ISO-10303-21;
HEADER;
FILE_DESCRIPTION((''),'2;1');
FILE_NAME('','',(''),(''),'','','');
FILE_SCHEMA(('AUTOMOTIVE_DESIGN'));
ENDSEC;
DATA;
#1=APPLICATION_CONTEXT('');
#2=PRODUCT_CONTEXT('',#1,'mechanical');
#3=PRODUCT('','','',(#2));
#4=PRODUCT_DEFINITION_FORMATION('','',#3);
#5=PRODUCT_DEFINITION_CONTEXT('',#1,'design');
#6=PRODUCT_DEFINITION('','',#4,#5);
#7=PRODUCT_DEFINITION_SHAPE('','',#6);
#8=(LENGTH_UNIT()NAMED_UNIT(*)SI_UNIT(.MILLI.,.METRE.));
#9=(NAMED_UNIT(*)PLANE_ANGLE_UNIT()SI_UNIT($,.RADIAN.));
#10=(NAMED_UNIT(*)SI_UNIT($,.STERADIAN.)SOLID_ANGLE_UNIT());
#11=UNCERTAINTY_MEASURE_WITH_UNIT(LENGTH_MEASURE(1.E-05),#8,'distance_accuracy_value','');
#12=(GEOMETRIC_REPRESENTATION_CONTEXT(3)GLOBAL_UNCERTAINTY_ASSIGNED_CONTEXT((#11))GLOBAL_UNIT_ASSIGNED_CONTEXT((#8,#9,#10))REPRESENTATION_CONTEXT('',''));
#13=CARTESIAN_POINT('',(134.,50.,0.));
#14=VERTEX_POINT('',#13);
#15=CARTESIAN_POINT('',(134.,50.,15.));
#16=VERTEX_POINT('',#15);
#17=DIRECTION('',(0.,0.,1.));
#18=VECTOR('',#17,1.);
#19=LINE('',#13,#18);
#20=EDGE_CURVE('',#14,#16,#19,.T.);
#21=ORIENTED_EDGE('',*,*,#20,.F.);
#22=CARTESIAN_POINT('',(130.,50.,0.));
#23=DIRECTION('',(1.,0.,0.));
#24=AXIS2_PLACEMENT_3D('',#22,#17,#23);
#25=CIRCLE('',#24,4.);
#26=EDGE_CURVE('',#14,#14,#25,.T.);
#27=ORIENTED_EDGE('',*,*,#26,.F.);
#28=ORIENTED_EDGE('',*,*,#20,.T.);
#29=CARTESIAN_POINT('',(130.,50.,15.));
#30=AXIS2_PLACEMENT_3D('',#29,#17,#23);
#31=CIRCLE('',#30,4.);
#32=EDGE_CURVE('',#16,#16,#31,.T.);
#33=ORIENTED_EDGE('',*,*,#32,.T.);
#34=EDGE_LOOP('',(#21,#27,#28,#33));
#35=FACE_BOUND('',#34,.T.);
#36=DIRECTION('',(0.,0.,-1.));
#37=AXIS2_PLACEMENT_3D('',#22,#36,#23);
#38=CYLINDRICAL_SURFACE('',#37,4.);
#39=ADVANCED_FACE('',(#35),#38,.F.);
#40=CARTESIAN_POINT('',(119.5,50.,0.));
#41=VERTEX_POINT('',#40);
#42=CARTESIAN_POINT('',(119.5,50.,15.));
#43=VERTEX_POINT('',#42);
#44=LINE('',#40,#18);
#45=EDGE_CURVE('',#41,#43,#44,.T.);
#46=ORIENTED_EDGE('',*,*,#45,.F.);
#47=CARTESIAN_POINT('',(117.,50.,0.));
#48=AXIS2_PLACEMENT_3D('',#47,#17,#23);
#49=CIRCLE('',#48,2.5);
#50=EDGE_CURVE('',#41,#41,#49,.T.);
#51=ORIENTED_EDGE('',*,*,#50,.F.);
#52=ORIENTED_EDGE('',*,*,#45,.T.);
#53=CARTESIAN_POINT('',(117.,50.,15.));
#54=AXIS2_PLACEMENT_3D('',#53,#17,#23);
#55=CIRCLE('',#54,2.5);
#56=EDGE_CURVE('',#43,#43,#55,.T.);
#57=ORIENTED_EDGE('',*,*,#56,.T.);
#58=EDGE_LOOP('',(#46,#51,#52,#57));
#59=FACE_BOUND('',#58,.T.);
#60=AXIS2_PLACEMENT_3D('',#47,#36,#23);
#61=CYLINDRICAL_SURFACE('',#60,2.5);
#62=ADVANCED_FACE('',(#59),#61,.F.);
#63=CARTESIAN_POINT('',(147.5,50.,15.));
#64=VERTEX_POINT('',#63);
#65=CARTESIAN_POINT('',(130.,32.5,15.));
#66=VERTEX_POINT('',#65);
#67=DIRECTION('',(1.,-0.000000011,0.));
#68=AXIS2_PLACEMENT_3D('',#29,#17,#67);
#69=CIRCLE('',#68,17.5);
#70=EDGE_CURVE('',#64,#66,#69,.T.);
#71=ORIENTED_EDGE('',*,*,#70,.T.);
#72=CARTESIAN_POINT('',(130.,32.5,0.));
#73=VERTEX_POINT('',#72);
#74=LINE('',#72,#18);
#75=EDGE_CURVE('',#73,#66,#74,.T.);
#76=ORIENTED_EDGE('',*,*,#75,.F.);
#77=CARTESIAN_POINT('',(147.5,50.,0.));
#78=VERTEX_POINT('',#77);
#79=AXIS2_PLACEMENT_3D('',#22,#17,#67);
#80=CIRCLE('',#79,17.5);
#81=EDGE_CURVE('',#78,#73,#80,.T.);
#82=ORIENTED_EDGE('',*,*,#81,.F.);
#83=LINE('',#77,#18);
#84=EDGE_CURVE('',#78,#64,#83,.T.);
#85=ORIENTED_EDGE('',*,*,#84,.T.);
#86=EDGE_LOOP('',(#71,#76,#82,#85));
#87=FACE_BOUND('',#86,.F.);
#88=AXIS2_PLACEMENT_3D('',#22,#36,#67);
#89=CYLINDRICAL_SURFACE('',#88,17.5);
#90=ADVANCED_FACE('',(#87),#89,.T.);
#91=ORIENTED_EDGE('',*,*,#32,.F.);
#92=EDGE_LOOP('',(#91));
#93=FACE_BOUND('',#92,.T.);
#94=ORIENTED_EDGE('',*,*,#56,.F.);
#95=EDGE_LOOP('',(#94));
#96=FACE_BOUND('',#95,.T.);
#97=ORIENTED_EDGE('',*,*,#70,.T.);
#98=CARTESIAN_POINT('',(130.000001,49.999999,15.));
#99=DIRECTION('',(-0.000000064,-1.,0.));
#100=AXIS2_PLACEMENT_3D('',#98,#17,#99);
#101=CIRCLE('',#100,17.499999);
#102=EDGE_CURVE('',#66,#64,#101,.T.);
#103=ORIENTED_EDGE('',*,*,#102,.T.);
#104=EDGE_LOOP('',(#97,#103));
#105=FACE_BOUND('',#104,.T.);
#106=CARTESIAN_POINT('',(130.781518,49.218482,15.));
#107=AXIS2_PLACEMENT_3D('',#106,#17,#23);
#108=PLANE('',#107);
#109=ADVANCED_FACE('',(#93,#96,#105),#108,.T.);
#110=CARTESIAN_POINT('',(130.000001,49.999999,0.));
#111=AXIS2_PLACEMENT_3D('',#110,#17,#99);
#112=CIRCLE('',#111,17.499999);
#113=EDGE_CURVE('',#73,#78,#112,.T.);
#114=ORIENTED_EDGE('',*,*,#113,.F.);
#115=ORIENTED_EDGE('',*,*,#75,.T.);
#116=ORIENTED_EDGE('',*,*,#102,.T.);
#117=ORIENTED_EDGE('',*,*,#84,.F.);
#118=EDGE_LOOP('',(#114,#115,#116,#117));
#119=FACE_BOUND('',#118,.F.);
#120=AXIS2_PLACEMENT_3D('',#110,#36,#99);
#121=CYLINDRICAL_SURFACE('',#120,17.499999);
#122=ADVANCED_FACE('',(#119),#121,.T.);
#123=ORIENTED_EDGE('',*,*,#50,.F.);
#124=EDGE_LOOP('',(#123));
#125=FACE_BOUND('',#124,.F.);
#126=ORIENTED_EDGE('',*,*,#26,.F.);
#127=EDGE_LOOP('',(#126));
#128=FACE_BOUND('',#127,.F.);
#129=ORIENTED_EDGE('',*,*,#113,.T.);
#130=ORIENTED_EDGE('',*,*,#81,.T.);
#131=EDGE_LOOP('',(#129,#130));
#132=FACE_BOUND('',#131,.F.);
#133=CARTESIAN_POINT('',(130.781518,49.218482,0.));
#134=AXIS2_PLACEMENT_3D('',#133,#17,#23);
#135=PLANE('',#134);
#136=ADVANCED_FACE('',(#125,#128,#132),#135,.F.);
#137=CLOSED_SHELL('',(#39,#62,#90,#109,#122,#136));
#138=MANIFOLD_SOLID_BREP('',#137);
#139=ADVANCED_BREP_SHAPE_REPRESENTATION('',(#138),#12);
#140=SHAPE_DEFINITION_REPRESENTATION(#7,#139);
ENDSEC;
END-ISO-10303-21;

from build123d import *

# Parameters (mm, degrees)
F0_R     = 2.5
F0_R_2   = 4
F1_DEPTH = 15


with BuildPart() as f1:
    # F0 (on Top) → F1 (new body)
    with BuildSketch(Plane.XY):
        with BuildLine():
            ThreePointArc((130, 32.5), (142.374369, 37.625631), (147.5, 50))
            ThreePointArc((147.5, 50), (117.625631, 62.374369), (130, 32.5))
        make_face()
        with Locations((117, 50)):
            Circle(F0_R, mode=Mode.SUBTRACT)
        with Locations((130, 50)):
            Circle(F0_R_2, mode=Mode.SUBTRACT)
    extrude(amount=F1_DEPTH)


solid = f1.part
